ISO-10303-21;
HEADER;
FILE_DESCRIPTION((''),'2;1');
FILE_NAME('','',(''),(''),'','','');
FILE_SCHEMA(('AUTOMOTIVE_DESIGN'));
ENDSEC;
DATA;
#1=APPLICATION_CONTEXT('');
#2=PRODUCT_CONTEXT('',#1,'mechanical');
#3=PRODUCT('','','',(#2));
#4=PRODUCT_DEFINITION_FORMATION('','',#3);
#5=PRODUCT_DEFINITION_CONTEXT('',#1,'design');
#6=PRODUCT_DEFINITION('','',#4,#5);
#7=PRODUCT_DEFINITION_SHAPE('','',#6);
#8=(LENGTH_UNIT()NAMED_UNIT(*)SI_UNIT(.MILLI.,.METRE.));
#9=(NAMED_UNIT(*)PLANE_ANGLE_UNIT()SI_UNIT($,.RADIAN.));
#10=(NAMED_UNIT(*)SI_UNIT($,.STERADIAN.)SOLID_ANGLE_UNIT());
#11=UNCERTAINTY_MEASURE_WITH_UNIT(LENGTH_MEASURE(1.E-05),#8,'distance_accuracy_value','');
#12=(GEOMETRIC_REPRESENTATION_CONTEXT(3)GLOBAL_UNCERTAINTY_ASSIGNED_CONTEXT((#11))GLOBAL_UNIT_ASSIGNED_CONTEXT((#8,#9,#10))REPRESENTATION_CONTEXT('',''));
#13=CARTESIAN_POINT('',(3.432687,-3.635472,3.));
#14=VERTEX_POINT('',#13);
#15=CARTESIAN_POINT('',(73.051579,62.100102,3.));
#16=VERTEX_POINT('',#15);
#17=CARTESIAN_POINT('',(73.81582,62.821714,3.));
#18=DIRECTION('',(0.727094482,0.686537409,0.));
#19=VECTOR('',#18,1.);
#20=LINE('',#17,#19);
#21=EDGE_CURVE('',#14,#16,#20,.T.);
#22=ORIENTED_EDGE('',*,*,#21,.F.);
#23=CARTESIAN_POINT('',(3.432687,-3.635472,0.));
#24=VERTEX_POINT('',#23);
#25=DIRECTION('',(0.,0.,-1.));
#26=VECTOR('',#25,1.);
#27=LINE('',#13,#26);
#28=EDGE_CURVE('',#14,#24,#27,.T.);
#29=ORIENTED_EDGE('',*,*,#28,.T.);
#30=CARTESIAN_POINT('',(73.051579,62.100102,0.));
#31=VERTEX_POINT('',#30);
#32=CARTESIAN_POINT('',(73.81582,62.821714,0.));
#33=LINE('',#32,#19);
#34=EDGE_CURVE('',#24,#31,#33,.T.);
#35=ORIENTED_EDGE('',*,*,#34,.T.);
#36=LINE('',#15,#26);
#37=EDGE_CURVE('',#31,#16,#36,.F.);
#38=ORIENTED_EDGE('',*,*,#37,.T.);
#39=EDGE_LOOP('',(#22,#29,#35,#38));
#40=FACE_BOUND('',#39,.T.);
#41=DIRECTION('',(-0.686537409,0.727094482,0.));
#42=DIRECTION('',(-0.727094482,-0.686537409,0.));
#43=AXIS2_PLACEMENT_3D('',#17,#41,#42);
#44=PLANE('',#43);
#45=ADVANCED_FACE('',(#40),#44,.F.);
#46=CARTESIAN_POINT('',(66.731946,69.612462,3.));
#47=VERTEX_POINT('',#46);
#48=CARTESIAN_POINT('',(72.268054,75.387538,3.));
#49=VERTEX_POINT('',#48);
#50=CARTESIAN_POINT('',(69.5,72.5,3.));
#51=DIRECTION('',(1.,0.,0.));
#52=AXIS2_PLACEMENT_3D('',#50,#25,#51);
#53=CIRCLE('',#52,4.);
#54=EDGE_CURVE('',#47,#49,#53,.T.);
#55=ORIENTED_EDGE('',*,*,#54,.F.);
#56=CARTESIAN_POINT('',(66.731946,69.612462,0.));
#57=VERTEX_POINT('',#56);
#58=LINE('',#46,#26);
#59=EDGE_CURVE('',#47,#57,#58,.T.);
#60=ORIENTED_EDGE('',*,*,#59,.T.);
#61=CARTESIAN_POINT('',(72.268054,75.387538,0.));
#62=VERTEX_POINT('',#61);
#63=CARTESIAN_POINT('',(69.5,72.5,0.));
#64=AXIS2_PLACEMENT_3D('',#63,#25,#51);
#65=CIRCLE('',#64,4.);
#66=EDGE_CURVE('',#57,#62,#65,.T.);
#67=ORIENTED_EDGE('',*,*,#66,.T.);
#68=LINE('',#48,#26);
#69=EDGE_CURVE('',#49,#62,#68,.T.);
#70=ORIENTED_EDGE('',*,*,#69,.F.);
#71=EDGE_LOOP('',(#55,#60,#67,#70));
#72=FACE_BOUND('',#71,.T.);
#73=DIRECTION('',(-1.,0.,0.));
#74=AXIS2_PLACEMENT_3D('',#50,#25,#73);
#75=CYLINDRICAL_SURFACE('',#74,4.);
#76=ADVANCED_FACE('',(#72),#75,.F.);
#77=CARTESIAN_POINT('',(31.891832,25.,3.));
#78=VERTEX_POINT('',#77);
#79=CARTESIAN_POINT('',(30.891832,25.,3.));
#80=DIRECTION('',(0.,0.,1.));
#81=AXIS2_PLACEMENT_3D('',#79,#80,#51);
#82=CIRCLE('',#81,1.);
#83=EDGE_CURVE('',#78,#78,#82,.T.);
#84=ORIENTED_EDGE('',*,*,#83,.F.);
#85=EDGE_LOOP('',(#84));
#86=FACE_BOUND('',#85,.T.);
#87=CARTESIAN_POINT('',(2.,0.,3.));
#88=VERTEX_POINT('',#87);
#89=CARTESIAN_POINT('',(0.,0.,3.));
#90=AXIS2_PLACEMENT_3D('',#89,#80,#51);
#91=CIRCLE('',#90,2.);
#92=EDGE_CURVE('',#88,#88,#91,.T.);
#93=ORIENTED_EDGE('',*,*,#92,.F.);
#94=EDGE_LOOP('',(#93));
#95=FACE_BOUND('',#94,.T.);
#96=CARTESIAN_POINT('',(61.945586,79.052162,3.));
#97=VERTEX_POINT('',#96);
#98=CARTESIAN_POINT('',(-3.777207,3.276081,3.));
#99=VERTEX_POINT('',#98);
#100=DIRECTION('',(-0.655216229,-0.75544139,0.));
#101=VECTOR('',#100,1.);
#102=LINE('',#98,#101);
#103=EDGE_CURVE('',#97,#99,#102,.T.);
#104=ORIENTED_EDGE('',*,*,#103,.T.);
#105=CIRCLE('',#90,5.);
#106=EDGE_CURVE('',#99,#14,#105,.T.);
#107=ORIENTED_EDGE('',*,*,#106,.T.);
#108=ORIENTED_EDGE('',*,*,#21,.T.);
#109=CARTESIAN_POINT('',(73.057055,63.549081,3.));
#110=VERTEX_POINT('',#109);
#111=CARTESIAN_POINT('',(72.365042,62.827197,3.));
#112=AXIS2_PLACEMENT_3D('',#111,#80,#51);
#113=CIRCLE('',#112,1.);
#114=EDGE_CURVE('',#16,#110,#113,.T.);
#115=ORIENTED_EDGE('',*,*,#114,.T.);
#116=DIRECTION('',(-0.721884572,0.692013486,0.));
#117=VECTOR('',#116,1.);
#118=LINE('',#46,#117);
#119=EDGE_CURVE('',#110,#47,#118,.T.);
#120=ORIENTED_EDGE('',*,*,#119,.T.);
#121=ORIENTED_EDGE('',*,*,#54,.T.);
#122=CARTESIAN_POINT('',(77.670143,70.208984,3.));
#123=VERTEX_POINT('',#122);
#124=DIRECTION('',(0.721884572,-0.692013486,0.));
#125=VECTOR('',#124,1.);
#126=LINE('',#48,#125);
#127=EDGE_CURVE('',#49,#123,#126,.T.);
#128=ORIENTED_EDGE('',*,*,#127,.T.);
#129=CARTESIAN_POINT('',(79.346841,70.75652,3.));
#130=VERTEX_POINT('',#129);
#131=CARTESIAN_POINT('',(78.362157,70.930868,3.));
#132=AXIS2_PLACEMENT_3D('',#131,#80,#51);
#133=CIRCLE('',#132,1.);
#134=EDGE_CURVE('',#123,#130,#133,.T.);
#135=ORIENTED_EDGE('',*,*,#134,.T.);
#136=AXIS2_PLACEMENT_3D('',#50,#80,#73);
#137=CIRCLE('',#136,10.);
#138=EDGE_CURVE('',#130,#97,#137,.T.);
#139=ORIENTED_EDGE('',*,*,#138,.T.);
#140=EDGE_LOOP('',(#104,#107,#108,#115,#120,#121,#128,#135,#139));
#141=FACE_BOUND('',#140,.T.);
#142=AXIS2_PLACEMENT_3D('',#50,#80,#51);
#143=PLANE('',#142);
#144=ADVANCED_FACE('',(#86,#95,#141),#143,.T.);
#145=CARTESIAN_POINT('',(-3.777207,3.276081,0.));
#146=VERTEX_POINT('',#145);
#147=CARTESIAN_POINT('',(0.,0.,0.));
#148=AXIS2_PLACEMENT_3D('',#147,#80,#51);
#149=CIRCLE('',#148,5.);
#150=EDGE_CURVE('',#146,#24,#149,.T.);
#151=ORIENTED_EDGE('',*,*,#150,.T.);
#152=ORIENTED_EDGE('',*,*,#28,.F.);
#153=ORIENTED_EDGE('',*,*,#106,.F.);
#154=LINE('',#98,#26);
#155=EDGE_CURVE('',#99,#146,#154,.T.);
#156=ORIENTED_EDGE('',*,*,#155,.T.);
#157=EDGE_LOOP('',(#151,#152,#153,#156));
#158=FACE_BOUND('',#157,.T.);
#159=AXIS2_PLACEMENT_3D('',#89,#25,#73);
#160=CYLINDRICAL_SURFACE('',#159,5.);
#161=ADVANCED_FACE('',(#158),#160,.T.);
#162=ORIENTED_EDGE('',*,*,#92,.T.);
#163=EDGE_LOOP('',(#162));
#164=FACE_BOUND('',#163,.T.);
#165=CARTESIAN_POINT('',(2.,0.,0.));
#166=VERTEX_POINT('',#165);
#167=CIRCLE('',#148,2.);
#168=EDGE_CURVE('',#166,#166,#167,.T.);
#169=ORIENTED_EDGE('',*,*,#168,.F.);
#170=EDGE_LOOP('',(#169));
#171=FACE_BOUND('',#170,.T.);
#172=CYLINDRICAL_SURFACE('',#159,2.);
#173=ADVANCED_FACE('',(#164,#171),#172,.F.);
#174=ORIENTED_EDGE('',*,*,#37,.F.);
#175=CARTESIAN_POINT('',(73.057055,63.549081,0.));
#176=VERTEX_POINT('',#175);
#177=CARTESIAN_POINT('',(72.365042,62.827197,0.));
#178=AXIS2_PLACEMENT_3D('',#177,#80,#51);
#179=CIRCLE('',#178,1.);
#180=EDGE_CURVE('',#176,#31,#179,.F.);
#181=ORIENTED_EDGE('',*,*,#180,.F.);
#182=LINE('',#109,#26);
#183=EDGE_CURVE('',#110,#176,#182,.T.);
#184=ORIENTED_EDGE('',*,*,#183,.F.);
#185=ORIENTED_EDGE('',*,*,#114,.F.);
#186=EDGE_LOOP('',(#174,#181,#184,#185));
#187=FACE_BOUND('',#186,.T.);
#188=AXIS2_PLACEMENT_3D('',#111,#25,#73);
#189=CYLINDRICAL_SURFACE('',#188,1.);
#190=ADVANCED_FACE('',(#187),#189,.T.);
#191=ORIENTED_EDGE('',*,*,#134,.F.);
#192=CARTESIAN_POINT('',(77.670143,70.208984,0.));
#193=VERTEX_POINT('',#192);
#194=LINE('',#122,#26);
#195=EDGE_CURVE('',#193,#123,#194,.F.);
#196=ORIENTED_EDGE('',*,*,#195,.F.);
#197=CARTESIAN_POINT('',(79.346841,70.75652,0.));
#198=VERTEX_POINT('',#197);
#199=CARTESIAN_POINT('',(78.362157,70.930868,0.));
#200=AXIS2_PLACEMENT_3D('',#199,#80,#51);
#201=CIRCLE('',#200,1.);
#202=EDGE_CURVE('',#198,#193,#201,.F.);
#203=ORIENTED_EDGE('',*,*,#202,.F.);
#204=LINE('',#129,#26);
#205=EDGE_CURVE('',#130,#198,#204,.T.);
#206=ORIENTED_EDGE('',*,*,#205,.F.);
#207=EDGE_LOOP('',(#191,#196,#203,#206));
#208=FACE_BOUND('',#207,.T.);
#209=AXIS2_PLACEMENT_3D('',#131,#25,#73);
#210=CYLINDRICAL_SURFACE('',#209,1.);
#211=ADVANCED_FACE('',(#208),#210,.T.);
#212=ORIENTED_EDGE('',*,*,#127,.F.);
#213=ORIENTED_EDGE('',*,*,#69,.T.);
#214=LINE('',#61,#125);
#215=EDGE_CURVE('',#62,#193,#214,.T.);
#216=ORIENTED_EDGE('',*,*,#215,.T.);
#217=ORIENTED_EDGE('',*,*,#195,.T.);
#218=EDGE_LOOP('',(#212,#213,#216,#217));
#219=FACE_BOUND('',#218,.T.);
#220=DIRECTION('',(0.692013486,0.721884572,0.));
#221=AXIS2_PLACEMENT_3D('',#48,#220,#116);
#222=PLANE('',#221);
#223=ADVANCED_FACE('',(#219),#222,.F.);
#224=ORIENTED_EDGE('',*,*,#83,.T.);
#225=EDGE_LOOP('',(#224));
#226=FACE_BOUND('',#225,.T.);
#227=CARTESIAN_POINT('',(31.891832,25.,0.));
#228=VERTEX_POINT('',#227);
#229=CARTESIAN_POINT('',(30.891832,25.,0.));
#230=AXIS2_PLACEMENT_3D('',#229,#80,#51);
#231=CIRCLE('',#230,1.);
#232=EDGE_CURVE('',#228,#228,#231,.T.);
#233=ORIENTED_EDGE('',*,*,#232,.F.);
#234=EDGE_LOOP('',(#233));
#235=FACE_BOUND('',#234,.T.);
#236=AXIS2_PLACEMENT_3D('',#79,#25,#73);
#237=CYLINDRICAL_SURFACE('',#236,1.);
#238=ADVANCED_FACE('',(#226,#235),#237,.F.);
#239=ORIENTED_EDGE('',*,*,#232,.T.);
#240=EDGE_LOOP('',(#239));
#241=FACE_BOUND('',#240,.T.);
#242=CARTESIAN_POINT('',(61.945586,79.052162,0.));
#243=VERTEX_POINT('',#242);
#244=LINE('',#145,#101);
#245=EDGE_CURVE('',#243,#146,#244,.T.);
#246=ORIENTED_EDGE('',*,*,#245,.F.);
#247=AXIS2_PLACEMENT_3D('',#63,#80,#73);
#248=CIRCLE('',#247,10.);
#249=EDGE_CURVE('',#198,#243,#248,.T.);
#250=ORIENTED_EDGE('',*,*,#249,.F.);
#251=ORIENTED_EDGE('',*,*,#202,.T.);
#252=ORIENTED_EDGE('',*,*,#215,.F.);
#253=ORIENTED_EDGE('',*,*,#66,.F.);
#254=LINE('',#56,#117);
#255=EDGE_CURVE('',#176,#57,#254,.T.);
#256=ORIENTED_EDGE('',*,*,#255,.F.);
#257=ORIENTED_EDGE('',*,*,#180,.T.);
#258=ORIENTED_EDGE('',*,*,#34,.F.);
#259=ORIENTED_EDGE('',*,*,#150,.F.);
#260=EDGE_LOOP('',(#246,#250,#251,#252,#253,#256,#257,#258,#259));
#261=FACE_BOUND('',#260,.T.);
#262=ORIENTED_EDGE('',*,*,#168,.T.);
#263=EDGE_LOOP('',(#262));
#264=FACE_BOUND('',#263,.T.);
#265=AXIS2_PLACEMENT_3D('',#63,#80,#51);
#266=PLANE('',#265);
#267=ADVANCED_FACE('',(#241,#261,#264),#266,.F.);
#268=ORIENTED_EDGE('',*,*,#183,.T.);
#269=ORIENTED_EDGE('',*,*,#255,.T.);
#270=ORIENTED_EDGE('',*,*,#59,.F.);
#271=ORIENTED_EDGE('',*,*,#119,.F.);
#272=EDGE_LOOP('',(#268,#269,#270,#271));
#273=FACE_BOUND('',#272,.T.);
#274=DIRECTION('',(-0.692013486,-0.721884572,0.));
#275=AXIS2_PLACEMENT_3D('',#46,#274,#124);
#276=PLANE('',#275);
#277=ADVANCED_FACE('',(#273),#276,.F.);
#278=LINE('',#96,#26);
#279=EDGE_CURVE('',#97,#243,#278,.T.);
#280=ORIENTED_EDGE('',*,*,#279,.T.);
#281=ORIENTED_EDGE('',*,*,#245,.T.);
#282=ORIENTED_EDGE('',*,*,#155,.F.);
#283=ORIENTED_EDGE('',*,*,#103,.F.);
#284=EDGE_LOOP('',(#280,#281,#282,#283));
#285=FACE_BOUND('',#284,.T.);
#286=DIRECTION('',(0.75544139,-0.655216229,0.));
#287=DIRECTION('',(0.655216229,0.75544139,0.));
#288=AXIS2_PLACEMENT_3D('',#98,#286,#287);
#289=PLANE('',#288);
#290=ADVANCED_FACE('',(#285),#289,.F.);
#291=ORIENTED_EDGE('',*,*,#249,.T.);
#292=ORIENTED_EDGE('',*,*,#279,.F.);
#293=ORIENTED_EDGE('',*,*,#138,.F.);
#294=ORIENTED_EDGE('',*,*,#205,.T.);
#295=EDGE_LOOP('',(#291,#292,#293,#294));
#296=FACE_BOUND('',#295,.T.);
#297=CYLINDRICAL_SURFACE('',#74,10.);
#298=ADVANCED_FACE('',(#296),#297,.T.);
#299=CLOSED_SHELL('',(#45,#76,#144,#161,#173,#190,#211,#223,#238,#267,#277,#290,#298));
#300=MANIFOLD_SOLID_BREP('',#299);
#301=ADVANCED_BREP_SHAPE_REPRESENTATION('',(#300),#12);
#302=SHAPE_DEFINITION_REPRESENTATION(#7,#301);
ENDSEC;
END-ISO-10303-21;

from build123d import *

# Parameters (mm, degrees)
SKETCH_1_R      = 2
SKETCH_1_R_2    = 1
EXTRUDE_1_DEPTH = 3
FILLET_1_R      = 1


with BuildPart() as part:
    # 草图1 → 凸台-拉伸1 (new body)
    with BuildSketch(Plane.XY):
        with BuildLine():
            Line((66.731946056, 69.612461713), (73.815819619, 62.821713952))
            Line((73.815819619, 62.821713952), (3.432687046, -3.63547241))
            ThreePointArc((3.432687046, -3.63547241), (-3.460067431, -3.609422859), (-3.777206949, 3.276081144))
            Line((-3.777206949, 3.276081144), (61.945586102, 79.052162289))
            ThreePointArc((61.945586102, 79.052162289), (74.586475775, 81.109748207), (78.884235331, 69.045129923))
            Line((78.884235331, 69.045129923), (72.268053944, 75.387538287))
            ThreePointArc((72.268053944, 75.387538287), (66.612461713, 75.268053944), (66.731946056, 69.612461713))
        make_face()
        Circle(SKETCH_1_R, mode=Mode.SUBTRACT)
        with Locations((30.891832327, 25)):
            Circle(SKETCH_1_R_2, mode=Mode.SUBTRACT)
    extrude(amount=EXTRUDE_1_DEPTH)

    # 圆角1
    fillet_1_edges = [part.edges().sort_by_distance(p)[0] for p in [
        (73.815819619, 62.821713952, 1.5),
        (78.884235331, 69.045129923, 1.5),
    ]]
    fillet(fillet_1_edges, radius=FILLET_1_R)


solid = part.part
